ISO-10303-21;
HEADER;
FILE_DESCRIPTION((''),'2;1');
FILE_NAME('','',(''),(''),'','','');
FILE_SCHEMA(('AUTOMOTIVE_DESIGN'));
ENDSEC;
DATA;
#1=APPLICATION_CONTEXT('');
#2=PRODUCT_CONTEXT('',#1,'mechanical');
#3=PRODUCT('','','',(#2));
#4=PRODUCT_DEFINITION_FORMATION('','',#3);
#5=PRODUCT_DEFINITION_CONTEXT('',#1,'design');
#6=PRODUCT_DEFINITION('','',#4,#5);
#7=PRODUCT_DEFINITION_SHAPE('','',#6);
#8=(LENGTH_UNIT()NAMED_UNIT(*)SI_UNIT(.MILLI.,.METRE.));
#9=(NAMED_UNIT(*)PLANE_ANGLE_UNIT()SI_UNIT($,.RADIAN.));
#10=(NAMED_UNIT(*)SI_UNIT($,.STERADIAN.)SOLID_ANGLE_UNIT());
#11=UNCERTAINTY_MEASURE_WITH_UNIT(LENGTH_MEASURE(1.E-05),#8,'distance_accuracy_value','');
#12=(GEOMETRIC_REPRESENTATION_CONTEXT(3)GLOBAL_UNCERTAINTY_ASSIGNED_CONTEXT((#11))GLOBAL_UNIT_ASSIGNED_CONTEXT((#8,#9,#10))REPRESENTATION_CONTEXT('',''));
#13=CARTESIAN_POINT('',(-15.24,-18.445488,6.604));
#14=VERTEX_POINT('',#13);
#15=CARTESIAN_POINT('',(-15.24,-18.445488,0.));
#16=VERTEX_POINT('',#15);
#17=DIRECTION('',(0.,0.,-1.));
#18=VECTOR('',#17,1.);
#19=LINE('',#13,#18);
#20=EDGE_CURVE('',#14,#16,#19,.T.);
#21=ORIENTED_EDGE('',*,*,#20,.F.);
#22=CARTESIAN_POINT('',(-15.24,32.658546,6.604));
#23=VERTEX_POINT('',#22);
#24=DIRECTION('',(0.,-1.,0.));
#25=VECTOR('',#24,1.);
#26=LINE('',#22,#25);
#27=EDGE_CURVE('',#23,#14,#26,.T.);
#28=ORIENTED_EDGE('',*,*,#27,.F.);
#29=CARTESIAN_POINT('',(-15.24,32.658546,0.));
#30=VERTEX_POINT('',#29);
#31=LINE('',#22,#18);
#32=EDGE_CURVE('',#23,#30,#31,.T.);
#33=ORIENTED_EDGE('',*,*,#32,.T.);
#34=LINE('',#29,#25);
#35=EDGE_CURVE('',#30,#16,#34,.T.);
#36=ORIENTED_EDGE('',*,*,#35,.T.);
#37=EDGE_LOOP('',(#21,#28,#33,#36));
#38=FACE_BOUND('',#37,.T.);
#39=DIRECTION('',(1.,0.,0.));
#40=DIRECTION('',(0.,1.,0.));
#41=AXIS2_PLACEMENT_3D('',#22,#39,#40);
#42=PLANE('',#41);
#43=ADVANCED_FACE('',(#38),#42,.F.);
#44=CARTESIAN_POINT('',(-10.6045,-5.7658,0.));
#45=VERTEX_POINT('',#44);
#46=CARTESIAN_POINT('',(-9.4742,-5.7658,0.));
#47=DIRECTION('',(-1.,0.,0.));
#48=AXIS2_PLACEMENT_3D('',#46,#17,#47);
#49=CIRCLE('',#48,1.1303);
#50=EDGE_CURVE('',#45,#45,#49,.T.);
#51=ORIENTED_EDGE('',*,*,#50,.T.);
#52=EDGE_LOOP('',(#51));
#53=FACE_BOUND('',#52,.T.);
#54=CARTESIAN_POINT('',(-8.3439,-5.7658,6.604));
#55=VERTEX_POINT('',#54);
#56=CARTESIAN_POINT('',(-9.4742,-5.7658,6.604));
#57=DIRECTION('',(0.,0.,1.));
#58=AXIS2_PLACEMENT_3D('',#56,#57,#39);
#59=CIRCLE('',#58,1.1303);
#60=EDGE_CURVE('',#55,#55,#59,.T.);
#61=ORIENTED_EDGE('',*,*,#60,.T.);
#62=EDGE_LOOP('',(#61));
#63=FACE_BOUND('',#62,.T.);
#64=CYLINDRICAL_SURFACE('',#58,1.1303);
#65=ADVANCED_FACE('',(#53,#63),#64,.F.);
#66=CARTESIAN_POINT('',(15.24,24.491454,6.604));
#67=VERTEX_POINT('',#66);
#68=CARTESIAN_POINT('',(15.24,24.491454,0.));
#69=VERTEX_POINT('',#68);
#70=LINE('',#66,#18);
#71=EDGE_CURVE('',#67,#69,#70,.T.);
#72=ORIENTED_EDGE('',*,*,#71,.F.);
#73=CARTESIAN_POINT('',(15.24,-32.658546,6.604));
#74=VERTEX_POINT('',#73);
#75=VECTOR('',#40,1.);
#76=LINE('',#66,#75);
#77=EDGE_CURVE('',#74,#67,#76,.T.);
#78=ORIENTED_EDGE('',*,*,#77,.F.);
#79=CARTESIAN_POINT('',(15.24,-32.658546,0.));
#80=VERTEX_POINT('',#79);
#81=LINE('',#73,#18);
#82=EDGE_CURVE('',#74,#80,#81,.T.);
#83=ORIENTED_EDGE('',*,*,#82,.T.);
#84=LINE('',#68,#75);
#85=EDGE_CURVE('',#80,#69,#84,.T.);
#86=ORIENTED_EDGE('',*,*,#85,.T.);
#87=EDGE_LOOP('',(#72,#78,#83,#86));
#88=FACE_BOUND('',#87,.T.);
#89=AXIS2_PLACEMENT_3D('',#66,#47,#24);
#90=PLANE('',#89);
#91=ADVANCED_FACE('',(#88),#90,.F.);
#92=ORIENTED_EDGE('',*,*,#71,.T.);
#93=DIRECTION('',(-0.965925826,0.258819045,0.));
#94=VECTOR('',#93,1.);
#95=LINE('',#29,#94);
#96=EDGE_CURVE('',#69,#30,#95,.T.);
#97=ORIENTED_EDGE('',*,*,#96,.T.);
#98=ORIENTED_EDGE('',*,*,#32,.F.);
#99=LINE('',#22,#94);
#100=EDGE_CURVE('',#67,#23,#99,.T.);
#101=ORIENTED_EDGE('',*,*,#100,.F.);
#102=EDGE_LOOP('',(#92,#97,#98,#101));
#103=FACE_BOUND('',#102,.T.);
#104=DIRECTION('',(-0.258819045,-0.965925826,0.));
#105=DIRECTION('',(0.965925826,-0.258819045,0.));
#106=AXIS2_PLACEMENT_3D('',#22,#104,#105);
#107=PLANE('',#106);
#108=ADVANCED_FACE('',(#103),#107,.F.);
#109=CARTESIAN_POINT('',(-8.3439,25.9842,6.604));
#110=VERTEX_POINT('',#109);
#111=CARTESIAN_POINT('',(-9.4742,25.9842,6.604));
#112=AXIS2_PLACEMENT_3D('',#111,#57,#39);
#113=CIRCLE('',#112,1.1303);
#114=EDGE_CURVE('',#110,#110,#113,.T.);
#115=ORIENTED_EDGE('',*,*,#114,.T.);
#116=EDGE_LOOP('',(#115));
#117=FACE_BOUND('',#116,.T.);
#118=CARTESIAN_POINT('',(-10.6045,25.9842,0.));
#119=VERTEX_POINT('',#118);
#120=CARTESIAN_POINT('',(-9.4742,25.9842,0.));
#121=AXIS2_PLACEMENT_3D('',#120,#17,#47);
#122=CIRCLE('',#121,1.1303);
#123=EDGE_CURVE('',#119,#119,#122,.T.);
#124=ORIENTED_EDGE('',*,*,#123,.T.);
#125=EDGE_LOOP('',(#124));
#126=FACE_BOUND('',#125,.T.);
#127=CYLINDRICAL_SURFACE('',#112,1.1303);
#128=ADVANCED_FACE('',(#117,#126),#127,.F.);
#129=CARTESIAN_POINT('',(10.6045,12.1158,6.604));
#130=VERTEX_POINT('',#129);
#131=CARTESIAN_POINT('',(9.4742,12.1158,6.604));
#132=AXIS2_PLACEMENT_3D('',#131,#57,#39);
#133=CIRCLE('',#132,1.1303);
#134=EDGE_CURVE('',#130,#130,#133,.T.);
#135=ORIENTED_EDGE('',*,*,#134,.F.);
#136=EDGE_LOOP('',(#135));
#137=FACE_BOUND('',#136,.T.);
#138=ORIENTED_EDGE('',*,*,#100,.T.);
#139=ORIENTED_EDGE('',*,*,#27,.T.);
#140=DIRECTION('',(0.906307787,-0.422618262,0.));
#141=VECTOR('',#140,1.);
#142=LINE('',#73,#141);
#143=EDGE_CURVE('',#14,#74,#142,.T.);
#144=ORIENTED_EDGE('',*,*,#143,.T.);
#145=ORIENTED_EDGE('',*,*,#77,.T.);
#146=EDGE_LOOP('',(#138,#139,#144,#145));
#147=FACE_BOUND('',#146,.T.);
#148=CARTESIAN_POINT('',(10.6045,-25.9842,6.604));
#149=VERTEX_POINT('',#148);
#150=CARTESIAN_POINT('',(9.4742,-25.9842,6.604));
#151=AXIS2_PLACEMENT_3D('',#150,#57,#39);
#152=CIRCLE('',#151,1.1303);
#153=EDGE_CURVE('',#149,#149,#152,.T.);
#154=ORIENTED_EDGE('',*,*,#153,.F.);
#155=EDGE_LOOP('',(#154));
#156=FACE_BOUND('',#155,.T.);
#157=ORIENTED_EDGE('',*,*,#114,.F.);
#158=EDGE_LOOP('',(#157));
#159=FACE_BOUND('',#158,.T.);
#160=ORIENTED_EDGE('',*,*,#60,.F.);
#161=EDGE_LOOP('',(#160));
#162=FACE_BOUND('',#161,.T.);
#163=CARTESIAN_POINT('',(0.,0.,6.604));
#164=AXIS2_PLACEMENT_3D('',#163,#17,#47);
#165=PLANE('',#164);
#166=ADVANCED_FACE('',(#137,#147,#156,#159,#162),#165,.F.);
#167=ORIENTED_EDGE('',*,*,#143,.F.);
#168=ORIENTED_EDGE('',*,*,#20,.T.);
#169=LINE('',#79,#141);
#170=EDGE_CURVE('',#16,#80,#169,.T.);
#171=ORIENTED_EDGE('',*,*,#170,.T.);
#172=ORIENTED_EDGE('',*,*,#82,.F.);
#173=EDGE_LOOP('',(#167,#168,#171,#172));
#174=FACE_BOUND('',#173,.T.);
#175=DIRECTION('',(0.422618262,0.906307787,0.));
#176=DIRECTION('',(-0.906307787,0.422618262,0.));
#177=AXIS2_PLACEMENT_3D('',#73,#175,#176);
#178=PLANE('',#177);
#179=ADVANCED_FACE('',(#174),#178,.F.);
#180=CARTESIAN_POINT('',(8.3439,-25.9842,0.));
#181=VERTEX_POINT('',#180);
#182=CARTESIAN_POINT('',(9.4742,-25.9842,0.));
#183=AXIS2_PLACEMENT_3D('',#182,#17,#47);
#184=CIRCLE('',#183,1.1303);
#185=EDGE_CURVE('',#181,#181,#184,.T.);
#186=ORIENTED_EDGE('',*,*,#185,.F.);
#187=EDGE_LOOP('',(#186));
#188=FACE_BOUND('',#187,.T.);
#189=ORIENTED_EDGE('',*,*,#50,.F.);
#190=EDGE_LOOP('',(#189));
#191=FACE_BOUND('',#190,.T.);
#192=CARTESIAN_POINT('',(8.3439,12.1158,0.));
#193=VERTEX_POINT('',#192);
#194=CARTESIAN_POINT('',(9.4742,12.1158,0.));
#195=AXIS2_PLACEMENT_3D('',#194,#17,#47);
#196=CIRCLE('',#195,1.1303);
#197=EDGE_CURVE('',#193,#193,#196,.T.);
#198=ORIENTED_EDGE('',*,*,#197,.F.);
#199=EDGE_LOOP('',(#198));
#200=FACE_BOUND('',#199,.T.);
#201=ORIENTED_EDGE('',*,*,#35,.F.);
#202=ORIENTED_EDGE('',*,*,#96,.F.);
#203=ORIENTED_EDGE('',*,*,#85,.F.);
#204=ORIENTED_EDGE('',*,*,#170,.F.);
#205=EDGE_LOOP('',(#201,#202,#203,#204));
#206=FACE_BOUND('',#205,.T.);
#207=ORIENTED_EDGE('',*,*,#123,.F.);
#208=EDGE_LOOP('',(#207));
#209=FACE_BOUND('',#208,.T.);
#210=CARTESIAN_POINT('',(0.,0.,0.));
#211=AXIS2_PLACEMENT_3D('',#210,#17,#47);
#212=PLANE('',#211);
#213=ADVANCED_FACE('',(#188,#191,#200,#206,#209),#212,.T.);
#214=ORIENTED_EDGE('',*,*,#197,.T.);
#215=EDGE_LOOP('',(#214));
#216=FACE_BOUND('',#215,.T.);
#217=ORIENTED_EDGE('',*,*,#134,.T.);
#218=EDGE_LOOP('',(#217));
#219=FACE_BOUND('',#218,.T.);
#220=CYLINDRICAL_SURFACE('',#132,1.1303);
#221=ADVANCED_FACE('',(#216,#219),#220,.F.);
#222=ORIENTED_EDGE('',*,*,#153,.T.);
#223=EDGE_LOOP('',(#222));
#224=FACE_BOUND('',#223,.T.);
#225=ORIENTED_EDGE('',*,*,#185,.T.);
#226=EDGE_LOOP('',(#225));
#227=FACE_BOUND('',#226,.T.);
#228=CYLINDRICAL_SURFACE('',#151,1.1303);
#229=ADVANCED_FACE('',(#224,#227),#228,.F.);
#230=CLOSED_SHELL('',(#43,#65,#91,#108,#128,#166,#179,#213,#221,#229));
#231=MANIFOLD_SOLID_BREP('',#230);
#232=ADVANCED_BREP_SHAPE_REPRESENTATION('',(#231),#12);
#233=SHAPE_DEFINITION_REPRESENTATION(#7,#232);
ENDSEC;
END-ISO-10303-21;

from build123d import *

# Parameters (mm, degrees)
BOSS_EXTRUDE1_DEPTH       = 6.604
F_4_40_TAPPED_HOLE1_D     = 2.2606
F_4_40_TAPPED_HOLE1_DEPTH = 7.5946
F_4_40_TAPPED_HOLE1_TIP   = 0.679152758


with BuildPart() as part:
    # Sketch1 → Boss-Extrude1 (new body)
    with BuildSketch(Plane.XY):
        Polygon((15.24, -32.658545693), (-15.24, -18.445488272), (-15.24, 32.658545693), (15.24, 24.491454307), align=None)
    extrude(amount=BOSS_EXTRUDE1_DEPTH)

    # #4-40 Tapped Hole1
    with Locations(Plane.XY.offset(6.604)):
        with Locations((-9.4742, 25.9842), (9.4742, 12.1158), (-9.4742, -5.7658), (9.4742, -25.9842)):
            Hole(F_4_40_TAPPED_HOLE1_D / 2, depth=F_4_40_TAPPED_HOLE1_DEPTH)
            with Locations((0, 0, -(F_4_40_TAPPED_HOLE1_DEPTH + F_4_40_TAPPED_HOLE1_TIP / 2))):  # 118° drill point
                Cone(0, F_4_40_TAPPED_HOLE1_D / 2, F_4_40_TAPPED_HOLE1_TIP, mode=Mode.SUBTRACT)


solid = part.part
